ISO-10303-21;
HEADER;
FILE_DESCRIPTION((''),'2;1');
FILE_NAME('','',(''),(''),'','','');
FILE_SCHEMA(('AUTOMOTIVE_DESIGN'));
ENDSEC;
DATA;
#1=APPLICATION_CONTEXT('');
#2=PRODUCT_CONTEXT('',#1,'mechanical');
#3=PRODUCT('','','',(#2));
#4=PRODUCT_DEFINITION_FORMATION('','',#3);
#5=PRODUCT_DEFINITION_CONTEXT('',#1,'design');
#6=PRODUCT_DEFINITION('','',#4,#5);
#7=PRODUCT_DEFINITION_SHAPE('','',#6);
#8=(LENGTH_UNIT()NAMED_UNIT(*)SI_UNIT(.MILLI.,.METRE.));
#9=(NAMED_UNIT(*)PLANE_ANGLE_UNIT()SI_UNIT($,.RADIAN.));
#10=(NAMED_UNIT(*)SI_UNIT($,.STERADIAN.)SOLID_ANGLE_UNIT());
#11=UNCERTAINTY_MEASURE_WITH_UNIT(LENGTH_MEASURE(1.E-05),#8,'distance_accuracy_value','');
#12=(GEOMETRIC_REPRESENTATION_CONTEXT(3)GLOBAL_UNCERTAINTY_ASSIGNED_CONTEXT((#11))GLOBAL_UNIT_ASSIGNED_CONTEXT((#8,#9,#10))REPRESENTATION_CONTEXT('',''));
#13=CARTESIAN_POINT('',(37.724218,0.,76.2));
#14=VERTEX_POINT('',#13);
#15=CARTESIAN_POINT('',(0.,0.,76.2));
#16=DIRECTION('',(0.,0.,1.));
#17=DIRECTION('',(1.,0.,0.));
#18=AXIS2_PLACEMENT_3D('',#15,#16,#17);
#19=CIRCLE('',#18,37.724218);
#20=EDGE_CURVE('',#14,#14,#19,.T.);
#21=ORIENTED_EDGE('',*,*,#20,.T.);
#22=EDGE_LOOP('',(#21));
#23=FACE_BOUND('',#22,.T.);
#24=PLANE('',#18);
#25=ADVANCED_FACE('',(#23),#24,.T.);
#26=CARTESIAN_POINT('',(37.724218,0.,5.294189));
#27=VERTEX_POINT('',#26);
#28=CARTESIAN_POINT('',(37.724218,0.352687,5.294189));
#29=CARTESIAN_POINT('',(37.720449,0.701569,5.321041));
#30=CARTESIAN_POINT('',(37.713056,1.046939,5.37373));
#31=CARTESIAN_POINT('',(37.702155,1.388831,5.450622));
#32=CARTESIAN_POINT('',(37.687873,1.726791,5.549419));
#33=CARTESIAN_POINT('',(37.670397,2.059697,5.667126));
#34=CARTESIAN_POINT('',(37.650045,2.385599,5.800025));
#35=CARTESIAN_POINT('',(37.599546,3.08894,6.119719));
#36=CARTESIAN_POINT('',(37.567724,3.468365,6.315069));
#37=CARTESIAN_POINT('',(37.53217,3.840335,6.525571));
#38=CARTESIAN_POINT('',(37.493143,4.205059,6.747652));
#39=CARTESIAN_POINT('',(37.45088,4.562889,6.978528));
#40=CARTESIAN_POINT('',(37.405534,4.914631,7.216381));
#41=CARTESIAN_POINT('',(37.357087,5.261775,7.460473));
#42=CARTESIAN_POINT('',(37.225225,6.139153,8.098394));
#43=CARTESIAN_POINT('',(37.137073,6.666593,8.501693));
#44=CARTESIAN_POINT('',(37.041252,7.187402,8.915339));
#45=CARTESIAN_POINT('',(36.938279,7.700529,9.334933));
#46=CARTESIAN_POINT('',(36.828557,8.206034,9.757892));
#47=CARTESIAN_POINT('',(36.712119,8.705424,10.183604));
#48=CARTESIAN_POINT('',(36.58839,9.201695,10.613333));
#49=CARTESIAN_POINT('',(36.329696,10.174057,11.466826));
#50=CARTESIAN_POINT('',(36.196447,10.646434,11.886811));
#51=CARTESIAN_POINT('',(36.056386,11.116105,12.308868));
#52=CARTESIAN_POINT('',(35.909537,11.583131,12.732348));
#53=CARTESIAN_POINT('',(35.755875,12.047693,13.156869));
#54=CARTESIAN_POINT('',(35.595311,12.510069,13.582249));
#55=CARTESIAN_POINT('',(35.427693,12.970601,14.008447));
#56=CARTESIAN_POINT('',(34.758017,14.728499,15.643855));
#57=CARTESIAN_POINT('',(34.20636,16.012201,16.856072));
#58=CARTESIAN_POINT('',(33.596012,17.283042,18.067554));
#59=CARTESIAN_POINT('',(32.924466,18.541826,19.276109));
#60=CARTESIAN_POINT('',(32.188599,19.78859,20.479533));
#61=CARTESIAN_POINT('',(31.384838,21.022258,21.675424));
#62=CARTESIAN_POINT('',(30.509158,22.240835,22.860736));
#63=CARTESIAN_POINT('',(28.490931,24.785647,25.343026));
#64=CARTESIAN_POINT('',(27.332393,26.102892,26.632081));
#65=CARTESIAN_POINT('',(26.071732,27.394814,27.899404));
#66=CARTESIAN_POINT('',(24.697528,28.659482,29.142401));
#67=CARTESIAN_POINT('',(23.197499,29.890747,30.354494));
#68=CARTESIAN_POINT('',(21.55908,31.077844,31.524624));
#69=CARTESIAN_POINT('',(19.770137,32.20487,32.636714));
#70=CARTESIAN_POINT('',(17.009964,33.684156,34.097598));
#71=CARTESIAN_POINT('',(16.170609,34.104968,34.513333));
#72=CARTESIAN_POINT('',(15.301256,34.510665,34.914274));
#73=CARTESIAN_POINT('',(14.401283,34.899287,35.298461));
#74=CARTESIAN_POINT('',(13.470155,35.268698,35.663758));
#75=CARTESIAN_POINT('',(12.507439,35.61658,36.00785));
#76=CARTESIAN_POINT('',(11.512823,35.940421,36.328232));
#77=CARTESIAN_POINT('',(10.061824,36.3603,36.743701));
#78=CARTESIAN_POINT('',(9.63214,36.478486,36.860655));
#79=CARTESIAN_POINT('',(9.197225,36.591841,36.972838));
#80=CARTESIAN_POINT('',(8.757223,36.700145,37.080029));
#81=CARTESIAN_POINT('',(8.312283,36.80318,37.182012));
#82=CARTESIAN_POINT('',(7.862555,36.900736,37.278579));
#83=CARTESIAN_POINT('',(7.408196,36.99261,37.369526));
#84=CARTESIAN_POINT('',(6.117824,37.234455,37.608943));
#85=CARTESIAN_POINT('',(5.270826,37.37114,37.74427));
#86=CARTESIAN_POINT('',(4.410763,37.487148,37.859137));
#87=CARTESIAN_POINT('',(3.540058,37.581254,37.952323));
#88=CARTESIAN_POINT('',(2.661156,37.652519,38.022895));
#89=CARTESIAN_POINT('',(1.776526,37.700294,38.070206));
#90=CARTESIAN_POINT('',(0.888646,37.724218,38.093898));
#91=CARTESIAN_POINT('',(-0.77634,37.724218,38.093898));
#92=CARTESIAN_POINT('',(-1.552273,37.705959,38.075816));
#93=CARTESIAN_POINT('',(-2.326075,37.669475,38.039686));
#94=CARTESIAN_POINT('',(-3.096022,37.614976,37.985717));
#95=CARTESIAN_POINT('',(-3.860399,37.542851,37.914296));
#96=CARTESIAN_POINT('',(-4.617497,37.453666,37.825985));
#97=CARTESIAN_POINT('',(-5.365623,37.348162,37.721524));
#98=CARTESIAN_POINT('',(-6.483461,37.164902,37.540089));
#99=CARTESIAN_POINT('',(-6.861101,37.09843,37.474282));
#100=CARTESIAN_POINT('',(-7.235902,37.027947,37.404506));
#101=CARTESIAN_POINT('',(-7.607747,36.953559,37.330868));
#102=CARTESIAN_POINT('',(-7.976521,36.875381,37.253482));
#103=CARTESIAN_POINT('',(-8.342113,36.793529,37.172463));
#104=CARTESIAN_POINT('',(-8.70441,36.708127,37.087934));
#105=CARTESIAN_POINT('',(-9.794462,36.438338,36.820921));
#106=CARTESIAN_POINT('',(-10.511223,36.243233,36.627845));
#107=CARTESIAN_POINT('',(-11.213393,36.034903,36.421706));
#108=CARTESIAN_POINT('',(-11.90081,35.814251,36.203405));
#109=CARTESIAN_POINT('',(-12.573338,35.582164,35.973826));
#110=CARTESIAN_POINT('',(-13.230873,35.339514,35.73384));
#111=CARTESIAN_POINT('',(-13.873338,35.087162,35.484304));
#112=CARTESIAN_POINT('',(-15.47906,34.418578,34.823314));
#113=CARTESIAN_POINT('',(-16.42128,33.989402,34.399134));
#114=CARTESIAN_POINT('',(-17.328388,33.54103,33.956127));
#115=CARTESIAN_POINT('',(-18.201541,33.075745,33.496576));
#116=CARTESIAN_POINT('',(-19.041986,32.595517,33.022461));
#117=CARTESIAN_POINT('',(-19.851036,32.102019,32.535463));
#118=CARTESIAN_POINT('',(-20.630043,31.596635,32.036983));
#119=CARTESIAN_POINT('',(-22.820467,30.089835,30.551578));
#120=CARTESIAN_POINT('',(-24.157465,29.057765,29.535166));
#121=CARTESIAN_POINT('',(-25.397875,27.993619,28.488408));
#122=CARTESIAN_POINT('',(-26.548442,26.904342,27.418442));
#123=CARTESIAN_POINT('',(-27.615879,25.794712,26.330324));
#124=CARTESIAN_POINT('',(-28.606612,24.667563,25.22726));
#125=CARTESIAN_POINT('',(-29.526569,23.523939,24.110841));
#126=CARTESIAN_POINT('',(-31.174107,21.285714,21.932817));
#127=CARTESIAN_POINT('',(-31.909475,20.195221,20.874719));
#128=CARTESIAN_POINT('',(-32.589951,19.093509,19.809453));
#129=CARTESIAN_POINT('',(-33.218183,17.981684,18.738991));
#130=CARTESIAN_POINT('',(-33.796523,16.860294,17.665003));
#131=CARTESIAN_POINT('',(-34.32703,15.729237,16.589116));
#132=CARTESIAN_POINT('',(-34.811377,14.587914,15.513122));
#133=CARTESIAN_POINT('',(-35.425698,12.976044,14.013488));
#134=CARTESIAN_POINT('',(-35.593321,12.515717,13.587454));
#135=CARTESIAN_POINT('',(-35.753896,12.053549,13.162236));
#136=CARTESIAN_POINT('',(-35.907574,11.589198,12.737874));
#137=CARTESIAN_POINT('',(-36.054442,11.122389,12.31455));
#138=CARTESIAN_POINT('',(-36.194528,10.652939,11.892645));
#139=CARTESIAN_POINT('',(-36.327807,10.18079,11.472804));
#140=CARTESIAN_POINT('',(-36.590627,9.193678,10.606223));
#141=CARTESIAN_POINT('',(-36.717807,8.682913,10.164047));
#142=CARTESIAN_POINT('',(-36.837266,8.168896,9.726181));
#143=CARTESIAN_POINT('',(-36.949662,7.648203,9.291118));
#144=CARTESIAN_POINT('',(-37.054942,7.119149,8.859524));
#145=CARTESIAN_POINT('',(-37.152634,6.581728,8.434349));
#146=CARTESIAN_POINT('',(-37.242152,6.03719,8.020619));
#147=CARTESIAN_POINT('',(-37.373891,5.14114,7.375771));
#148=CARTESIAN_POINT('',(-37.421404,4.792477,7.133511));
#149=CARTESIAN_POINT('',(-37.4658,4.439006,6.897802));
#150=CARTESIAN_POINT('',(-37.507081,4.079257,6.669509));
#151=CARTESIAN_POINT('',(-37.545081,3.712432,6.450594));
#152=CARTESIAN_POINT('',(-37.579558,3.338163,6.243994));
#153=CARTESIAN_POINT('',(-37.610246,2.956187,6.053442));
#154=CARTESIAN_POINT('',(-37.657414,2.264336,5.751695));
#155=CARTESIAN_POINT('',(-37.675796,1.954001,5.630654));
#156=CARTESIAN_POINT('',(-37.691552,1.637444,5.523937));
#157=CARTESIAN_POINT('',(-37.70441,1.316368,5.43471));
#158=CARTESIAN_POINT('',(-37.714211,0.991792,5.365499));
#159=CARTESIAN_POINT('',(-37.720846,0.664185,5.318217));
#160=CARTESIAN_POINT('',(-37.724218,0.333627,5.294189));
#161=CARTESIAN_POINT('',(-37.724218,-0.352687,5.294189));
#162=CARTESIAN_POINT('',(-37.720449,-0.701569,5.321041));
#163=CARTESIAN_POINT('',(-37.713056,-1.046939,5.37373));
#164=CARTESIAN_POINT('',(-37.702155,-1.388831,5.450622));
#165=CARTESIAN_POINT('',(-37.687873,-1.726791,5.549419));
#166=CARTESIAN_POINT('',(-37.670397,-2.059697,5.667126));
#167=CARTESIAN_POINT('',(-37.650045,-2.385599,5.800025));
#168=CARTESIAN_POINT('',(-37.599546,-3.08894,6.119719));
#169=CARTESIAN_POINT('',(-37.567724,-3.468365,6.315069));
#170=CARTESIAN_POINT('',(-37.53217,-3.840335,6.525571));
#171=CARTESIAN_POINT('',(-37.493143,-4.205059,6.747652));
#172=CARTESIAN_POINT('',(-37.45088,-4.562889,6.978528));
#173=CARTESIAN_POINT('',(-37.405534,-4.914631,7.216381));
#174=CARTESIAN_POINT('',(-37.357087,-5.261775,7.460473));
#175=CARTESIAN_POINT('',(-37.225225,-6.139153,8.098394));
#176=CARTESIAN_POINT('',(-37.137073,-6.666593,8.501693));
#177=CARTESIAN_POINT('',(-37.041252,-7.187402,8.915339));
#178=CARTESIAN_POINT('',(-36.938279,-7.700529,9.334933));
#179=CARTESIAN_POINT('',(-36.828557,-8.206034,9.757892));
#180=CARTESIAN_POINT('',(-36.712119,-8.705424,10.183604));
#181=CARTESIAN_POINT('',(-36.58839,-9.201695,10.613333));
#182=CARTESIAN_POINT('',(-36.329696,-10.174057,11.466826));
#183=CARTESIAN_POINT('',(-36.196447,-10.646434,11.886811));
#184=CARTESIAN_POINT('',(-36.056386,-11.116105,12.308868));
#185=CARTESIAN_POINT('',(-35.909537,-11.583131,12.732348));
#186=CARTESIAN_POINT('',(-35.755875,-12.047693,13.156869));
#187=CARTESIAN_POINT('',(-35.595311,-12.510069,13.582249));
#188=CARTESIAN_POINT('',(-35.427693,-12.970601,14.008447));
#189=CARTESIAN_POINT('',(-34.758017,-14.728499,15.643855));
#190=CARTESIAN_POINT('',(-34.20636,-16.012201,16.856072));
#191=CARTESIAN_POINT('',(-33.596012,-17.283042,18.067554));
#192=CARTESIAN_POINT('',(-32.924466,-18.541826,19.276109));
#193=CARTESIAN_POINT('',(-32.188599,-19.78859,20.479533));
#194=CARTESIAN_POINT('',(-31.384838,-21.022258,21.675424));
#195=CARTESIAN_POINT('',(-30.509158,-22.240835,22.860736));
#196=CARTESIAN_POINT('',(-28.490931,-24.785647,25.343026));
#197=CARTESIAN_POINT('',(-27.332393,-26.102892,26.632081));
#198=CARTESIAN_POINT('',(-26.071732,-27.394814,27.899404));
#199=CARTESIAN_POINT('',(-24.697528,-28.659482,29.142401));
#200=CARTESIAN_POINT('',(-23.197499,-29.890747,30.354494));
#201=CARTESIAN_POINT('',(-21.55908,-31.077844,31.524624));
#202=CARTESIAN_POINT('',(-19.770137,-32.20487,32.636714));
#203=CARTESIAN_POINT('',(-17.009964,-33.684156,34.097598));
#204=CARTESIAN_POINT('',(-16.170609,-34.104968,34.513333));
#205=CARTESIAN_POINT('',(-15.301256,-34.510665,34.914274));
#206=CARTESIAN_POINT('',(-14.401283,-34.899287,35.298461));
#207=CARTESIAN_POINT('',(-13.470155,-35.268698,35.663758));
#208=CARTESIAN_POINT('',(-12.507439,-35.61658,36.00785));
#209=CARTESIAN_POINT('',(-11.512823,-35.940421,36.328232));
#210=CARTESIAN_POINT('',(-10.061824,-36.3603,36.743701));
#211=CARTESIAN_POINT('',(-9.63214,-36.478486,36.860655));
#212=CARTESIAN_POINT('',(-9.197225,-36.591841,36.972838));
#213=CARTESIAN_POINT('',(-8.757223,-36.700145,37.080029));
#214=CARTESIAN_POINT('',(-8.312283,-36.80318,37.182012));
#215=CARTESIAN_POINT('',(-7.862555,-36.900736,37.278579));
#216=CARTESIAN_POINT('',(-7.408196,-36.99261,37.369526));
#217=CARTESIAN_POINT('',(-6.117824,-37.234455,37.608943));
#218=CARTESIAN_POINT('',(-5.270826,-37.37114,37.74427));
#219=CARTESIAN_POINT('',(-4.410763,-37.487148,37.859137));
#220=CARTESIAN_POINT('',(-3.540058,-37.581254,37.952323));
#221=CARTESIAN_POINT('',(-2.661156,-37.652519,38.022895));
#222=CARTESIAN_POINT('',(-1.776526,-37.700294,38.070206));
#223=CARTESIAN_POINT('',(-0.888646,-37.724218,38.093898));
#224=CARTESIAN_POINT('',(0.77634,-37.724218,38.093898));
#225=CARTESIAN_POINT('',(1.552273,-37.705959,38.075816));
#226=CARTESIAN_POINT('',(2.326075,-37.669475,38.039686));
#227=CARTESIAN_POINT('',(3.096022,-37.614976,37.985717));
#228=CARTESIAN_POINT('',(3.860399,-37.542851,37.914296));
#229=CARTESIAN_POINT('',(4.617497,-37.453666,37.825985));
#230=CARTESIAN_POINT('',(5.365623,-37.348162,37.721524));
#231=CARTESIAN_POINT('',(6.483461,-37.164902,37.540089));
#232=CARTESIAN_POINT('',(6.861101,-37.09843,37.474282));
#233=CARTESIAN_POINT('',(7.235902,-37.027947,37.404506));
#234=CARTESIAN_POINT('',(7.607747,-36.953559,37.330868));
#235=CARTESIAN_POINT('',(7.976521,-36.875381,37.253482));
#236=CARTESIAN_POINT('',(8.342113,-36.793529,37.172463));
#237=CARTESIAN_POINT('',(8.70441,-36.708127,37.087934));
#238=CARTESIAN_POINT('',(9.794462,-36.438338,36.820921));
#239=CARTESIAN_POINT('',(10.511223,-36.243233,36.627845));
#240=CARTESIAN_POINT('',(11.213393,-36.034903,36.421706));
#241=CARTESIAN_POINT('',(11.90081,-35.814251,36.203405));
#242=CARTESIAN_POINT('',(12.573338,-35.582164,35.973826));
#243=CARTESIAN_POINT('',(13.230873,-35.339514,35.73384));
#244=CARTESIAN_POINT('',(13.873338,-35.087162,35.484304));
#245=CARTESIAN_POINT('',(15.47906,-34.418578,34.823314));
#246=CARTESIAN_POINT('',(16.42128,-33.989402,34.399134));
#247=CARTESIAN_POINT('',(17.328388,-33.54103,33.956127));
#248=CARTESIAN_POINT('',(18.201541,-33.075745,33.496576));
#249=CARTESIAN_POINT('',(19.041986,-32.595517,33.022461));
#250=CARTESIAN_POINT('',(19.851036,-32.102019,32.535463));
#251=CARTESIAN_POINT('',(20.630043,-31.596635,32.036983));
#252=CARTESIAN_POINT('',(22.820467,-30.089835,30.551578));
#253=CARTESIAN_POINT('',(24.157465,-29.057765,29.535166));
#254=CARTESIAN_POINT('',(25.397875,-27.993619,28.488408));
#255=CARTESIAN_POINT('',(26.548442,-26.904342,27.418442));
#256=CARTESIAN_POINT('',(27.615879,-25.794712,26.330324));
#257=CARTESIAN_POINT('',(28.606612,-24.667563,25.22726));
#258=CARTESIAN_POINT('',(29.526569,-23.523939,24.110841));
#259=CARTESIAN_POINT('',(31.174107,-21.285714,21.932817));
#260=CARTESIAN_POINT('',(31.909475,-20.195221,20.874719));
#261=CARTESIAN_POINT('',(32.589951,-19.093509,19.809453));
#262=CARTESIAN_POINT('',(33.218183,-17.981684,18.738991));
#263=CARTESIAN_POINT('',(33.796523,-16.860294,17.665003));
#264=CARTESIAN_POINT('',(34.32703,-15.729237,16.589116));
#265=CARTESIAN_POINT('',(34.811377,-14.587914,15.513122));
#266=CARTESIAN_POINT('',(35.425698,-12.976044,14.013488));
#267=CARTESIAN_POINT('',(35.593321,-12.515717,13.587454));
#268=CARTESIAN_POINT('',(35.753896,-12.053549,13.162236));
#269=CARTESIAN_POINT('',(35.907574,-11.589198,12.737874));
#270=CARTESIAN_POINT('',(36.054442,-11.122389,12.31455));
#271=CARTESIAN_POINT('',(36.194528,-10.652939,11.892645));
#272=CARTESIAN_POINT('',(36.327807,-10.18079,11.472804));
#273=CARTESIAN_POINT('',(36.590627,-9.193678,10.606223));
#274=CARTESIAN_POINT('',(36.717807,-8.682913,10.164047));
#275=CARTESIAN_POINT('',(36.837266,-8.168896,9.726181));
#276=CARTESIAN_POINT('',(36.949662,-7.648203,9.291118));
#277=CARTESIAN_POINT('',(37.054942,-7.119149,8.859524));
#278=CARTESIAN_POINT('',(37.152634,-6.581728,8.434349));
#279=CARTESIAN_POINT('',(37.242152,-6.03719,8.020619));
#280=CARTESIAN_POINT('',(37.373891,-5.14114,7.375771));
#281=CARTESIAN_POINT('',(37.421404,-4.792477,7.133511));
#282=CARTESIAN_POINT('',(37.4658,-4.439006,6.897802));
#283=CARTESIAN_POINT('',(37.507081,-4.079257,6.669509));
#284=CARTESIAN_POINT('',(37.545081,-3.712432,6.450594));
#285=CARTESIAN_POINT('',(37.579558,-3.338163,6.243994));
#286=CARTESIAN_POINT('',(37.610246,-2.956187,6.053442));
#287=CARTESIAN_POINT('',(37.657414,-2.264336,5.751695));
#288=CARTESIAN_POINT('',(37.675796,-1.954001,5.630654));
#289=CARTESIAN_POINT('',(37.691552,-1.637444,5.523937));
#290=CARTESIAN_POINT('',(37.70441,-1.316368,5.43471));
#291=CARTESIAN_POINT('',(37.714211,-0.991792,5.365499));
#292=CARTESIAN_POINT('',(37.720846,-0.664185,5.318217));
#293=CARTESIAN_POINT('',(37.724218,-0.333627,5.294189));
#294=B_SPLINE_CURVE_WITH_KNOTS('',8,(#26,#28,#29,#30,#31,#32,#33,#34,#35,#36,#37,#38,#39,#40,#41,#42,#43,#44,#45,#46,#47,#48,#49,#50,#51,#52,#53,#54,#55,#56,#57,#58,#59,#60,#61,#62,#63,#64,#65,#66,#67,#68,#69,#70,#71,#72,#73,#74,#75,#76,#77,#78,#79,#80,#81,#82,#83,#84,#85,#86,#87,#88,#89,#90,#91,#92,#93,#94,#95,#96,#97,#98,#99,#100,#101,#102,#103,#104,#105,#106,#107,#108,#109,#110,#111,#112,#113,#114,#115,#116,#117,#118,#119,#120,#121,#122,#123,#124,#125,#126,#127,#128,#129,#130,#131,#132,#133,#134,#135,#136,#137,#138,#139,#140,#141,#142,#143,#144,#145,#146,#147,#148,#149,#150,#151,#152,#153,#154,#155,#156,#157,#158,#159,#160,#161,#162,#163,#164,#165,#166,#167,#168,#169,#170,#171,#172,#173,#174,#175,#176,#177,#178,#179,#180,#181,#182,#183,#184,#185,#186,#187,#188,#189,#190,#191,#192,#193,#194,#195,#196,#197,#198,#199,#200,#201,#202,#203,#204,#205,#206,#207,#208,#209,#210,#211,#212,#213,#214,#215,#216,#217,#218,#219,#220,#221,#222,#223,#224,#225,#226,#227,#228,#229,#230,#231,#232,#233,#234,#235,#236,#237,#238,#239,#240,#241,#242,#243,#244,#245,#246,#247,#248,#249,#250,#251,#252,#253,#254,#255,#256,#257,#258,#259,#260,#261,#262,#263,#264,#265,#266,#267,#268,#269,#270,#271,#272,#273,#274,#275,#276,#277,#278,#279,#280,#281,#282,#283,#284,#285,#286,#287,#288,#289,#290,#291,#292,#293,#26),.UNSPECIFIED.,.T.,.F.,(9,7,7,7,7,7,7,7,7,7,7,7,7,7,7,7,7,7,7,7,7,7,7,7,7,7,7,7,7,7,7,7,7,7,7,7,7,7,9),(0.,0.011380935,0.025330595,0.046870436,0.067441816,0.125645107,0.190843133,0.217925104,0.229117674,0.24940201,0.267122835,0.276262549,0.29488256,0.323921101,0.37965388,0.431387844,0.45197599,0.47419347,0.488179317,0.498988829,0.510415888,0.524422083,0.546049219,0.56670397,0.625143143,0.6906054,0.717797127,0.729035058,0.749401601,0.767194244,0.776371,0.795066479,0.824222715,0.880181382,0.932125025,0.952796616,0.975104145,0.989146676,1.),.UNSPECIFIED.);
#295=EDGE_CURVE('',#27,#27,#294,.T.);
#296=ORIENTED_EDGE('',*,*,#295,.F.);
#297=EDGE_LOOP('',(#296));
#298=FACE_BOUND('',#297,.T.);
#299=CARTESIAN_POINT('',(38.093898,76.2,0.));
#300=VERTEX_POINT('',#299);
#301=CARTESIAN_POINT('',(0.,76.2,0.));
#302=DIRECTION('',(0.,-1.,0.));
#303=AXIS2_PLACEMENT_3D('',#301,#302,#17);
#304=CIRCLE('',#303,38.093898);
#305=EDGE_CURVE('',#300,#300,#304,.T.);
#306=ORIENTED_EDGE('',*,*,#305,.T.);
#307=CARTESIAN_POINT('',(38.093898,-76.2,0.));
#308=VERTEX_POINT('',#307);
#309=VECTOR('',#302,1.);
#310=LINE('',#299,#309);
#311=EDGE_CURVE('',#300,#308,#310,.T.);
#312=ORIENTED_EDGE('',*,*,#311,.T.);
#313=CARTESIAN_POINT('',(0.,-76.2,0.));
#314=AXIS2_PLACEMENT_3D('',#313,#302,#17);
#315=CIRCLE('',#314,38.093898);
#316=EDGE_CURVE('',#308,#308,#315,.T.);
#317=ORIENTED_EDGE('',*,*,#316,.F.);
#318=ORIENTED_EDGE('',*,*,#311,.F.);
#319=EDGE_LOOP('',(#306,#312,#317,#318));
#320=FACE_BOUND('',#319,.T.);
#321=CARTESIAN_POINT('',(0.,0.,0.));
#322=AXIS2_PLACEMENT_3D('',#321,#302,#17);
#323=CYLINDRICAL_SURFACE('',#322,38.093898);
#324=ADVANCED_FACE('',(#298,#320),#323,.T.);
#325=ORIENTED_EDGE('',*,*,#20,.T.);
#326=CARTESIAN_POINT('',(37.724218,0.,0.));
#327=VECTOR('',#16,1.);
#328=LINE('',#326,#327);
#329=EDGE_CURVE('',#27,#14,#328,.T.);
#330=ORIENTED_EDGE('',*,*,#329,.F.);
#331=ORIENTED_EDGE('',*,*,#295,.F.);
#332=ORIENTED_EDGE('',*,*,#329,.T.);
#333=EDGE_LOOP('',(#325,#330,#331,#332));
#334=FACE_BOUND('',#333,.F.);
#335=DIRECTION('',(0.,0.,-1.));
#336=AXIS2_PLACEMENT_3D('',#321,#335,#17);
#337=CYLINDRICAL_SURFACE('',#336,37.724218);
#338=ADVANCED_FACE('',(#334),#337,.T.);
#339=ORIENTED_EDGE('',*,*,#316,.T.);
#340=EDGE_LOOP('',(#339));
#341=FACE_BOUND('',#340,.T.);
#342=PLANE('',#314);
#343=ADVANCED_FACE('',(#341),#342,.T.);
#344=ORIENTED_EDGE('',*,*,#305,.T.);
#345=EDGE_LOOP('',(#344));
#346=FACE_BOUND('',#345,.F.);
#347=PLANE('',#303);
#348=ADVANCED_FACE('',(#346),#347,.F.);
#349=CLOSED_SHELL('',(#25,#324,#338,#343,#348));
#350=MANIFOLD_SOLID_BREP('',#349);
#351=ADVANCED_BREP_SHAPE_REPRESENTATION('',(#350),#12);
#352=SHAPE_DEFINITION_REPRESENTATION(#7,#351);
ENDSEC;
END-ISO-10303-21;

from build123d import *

# Parameters (mm, degrees)
F0_R      = 38.093898
F1_DEPTH  = 76.2
F1_FACE_R = 38.093898
F2_DEPTH  = 76.2
F3_R      = 37.724218
F4_DEPTH  = 76.2


with BuildPart() as f1:
    # F0 (on Front) → F1 (new body)
    with BuildSketch(Plane.XZ):
        Circle(F0_R)
    extrude(amount=F1_DEPTH)

    # F0 (on Front) + F1_face (on face) → F2 (join)
    with BuildSketch(Plane.XZ):
        Circle(F0_R)
    with BuildSketch(Plane(origin=(0, 0, 0), x_dir=(1, 0, 0), z_dir=(0, 1, 0))):
        Circle(F1_FACE_R)
    extrude(amount=-F2_DEPTH)

    # F3 (on Top) → F4 (join)
    with BuildSketch(Plane.XY):
        Circle(F3_R)
    extrude(amount=F4_DEPTH)


solid = f1.part
